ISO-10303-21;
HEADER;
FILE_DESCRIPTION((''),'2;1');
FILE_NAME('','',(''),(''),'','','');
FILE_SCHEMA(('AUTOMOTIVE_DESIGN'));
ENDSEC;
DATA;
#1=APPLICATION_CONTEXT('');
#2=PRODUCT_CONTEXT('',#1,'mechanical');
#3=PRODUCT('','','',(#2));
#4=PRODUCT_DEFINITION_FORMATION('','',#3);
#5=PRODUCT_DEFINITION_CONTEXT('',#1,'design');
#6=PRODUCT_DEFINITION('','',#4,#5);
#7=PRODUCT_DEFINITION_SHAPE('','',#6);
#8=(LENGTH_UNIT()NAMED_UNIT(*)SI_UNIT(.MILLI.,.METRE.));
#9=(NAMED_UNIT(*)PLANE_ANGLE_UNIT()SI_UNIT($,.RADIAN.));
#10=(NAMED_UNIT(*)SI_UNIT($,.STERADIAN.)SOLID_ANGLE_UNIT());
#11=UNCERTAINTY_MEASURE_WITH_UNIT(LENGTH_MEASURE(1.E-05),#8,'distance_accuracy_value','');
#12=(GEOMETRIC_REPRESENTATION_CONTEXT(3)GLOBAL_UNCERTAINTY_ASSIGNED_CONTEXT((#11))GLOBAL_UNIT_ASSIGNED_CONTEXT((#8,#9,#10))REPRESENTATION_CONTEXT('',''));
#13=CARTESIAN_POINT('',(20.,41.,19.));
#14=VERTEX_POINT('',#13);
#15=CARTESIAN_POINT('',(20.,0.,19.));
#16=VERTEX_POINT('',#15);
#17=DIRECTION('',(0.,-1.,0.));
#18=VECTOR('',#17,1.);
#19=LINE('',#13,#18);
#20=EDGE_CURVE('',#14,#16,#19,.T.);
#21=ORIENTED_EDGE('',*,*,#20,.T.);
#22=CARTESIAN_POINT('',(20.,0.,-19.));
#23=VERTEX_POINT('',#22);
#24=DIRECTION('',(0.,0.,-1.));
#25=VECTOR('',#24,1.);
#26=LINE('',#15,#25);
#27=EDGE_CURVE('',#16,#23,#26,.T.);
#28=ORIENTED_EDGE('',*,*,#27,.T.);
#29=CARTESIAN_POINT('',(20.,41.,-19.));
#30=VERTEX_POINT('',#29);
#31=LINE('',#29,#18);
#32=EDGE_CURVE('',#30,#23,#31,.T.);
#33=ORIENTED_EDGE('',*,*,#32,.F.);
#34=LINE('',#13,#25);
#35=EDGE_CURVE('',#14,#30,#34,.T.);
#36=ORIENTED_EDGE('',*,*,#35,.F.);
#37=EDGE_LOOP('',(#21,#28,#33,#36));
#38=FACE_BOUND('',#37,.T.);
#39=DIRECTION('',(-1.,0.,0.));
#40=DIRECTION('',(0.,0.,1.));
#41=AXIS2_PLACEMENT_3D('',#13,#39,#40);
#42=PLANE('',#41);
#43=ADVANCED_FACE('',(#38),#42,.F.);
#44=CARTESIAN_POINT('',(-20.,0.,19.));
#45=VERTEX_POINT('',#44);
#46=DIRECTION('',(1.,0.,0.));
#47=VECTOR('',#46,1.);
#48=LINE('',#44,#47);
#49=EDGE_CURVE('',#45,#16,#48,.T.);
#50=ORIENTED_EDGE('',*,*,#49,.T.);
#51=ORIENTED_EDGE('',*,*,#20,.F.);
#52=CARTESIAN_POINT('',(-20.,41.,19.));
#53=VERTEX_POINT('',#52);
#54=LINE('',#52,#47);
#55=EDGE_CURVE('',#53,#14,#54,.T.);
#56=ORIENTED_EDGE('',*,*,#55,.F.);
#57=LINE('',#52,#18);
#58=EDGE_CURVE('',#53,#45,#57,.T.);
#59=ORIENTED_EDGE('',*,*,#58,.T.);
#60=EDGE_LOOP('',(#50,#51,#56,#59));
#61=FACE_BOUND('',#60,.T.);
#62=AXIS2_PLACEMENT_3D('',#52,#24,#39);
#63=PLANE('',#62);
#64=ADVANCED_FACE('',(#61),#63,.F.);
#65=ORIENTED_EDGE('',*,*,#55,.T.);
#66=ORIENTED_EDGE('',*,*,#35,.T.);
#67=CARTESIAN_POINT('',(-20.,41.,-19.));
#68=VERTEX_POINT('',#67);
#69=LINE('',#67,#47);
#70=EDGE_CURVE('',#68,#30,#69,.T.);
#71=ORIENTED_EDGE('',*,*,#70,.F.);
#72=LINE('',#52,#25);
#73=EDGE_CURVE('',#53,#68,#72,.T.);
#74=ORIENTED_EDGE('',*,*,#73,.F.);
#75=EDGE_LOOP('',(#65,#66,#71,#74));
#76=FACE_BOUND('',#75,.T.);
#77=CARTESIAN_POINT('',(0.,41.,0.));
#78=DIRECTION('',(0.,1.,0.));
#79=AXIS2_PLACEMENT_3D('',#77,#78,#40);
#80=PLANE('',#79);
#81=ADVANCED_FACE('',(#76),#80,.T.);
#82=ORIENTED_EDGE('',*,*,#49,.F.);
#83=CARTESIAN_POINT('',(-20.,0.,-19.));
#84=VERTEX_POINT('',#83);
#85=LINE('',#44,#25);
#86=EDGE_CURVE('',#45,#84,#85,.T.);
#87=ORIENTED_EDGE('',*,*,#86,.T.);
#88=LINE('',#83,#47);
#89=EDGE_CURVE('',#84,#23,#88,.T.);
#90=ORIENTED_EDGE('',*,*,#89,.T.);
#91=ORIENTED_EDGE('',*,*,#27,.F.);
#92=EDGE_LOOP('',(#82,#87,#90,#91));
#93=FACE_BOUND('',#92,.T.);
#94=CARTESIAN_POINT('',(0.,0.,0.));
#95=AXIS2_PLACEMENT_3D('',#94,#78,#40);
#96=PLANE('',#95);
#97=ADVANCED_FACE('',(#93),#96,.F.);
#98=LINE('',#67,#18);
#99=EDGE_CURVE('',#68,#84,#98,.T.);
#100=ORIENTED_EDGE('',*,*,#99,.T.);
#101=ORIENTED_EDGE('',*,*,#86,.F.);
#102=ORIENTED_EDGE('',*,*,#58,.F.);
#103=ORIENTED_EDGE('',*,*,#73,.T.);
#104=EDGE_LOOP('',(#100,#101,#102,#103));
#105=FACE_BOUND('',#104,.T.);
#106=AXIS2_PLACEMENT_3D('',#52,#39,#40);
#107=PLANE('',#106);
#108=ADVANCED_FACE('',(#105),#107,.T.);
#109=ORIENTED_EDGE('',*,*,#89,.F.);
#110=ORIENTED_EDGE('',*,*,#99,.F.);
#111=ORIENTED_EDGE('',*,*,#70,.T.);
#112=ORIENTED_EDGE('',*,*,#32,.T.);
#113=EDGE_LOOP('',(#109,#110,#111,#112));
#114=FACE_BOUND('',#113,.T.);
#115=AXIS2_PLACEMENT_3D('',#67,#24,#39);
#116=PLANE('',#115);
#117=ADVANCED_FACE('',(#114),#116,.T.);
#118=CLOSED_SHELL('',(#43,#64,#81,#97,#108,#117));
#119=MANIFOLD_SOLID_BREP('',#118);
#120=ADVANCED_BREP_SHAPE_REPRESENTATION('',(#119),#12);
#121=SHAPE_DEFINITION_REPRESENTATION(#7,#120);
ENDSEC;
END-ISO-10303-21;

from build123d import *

# Parameters (mm, degrees)
SKETCH1_W           = 40
SKETCH1_H           = 38
BOSS_EXTRUDE1_DEPTH = 41


with BuildPart() as part:
    # Sketch1 → Boss-Extrude1 (new body)
    with BuildSketch(Plane(origin=(0, 0, 0), x_dir=(1, 0, 0), z_dir=(0, 1, 0))):
        Rectangle(SKETCH1_W, SKETCH1_H)
    extrude(amount=BOSS_EXTRUDE1_DEPTH)


solid = part.part
